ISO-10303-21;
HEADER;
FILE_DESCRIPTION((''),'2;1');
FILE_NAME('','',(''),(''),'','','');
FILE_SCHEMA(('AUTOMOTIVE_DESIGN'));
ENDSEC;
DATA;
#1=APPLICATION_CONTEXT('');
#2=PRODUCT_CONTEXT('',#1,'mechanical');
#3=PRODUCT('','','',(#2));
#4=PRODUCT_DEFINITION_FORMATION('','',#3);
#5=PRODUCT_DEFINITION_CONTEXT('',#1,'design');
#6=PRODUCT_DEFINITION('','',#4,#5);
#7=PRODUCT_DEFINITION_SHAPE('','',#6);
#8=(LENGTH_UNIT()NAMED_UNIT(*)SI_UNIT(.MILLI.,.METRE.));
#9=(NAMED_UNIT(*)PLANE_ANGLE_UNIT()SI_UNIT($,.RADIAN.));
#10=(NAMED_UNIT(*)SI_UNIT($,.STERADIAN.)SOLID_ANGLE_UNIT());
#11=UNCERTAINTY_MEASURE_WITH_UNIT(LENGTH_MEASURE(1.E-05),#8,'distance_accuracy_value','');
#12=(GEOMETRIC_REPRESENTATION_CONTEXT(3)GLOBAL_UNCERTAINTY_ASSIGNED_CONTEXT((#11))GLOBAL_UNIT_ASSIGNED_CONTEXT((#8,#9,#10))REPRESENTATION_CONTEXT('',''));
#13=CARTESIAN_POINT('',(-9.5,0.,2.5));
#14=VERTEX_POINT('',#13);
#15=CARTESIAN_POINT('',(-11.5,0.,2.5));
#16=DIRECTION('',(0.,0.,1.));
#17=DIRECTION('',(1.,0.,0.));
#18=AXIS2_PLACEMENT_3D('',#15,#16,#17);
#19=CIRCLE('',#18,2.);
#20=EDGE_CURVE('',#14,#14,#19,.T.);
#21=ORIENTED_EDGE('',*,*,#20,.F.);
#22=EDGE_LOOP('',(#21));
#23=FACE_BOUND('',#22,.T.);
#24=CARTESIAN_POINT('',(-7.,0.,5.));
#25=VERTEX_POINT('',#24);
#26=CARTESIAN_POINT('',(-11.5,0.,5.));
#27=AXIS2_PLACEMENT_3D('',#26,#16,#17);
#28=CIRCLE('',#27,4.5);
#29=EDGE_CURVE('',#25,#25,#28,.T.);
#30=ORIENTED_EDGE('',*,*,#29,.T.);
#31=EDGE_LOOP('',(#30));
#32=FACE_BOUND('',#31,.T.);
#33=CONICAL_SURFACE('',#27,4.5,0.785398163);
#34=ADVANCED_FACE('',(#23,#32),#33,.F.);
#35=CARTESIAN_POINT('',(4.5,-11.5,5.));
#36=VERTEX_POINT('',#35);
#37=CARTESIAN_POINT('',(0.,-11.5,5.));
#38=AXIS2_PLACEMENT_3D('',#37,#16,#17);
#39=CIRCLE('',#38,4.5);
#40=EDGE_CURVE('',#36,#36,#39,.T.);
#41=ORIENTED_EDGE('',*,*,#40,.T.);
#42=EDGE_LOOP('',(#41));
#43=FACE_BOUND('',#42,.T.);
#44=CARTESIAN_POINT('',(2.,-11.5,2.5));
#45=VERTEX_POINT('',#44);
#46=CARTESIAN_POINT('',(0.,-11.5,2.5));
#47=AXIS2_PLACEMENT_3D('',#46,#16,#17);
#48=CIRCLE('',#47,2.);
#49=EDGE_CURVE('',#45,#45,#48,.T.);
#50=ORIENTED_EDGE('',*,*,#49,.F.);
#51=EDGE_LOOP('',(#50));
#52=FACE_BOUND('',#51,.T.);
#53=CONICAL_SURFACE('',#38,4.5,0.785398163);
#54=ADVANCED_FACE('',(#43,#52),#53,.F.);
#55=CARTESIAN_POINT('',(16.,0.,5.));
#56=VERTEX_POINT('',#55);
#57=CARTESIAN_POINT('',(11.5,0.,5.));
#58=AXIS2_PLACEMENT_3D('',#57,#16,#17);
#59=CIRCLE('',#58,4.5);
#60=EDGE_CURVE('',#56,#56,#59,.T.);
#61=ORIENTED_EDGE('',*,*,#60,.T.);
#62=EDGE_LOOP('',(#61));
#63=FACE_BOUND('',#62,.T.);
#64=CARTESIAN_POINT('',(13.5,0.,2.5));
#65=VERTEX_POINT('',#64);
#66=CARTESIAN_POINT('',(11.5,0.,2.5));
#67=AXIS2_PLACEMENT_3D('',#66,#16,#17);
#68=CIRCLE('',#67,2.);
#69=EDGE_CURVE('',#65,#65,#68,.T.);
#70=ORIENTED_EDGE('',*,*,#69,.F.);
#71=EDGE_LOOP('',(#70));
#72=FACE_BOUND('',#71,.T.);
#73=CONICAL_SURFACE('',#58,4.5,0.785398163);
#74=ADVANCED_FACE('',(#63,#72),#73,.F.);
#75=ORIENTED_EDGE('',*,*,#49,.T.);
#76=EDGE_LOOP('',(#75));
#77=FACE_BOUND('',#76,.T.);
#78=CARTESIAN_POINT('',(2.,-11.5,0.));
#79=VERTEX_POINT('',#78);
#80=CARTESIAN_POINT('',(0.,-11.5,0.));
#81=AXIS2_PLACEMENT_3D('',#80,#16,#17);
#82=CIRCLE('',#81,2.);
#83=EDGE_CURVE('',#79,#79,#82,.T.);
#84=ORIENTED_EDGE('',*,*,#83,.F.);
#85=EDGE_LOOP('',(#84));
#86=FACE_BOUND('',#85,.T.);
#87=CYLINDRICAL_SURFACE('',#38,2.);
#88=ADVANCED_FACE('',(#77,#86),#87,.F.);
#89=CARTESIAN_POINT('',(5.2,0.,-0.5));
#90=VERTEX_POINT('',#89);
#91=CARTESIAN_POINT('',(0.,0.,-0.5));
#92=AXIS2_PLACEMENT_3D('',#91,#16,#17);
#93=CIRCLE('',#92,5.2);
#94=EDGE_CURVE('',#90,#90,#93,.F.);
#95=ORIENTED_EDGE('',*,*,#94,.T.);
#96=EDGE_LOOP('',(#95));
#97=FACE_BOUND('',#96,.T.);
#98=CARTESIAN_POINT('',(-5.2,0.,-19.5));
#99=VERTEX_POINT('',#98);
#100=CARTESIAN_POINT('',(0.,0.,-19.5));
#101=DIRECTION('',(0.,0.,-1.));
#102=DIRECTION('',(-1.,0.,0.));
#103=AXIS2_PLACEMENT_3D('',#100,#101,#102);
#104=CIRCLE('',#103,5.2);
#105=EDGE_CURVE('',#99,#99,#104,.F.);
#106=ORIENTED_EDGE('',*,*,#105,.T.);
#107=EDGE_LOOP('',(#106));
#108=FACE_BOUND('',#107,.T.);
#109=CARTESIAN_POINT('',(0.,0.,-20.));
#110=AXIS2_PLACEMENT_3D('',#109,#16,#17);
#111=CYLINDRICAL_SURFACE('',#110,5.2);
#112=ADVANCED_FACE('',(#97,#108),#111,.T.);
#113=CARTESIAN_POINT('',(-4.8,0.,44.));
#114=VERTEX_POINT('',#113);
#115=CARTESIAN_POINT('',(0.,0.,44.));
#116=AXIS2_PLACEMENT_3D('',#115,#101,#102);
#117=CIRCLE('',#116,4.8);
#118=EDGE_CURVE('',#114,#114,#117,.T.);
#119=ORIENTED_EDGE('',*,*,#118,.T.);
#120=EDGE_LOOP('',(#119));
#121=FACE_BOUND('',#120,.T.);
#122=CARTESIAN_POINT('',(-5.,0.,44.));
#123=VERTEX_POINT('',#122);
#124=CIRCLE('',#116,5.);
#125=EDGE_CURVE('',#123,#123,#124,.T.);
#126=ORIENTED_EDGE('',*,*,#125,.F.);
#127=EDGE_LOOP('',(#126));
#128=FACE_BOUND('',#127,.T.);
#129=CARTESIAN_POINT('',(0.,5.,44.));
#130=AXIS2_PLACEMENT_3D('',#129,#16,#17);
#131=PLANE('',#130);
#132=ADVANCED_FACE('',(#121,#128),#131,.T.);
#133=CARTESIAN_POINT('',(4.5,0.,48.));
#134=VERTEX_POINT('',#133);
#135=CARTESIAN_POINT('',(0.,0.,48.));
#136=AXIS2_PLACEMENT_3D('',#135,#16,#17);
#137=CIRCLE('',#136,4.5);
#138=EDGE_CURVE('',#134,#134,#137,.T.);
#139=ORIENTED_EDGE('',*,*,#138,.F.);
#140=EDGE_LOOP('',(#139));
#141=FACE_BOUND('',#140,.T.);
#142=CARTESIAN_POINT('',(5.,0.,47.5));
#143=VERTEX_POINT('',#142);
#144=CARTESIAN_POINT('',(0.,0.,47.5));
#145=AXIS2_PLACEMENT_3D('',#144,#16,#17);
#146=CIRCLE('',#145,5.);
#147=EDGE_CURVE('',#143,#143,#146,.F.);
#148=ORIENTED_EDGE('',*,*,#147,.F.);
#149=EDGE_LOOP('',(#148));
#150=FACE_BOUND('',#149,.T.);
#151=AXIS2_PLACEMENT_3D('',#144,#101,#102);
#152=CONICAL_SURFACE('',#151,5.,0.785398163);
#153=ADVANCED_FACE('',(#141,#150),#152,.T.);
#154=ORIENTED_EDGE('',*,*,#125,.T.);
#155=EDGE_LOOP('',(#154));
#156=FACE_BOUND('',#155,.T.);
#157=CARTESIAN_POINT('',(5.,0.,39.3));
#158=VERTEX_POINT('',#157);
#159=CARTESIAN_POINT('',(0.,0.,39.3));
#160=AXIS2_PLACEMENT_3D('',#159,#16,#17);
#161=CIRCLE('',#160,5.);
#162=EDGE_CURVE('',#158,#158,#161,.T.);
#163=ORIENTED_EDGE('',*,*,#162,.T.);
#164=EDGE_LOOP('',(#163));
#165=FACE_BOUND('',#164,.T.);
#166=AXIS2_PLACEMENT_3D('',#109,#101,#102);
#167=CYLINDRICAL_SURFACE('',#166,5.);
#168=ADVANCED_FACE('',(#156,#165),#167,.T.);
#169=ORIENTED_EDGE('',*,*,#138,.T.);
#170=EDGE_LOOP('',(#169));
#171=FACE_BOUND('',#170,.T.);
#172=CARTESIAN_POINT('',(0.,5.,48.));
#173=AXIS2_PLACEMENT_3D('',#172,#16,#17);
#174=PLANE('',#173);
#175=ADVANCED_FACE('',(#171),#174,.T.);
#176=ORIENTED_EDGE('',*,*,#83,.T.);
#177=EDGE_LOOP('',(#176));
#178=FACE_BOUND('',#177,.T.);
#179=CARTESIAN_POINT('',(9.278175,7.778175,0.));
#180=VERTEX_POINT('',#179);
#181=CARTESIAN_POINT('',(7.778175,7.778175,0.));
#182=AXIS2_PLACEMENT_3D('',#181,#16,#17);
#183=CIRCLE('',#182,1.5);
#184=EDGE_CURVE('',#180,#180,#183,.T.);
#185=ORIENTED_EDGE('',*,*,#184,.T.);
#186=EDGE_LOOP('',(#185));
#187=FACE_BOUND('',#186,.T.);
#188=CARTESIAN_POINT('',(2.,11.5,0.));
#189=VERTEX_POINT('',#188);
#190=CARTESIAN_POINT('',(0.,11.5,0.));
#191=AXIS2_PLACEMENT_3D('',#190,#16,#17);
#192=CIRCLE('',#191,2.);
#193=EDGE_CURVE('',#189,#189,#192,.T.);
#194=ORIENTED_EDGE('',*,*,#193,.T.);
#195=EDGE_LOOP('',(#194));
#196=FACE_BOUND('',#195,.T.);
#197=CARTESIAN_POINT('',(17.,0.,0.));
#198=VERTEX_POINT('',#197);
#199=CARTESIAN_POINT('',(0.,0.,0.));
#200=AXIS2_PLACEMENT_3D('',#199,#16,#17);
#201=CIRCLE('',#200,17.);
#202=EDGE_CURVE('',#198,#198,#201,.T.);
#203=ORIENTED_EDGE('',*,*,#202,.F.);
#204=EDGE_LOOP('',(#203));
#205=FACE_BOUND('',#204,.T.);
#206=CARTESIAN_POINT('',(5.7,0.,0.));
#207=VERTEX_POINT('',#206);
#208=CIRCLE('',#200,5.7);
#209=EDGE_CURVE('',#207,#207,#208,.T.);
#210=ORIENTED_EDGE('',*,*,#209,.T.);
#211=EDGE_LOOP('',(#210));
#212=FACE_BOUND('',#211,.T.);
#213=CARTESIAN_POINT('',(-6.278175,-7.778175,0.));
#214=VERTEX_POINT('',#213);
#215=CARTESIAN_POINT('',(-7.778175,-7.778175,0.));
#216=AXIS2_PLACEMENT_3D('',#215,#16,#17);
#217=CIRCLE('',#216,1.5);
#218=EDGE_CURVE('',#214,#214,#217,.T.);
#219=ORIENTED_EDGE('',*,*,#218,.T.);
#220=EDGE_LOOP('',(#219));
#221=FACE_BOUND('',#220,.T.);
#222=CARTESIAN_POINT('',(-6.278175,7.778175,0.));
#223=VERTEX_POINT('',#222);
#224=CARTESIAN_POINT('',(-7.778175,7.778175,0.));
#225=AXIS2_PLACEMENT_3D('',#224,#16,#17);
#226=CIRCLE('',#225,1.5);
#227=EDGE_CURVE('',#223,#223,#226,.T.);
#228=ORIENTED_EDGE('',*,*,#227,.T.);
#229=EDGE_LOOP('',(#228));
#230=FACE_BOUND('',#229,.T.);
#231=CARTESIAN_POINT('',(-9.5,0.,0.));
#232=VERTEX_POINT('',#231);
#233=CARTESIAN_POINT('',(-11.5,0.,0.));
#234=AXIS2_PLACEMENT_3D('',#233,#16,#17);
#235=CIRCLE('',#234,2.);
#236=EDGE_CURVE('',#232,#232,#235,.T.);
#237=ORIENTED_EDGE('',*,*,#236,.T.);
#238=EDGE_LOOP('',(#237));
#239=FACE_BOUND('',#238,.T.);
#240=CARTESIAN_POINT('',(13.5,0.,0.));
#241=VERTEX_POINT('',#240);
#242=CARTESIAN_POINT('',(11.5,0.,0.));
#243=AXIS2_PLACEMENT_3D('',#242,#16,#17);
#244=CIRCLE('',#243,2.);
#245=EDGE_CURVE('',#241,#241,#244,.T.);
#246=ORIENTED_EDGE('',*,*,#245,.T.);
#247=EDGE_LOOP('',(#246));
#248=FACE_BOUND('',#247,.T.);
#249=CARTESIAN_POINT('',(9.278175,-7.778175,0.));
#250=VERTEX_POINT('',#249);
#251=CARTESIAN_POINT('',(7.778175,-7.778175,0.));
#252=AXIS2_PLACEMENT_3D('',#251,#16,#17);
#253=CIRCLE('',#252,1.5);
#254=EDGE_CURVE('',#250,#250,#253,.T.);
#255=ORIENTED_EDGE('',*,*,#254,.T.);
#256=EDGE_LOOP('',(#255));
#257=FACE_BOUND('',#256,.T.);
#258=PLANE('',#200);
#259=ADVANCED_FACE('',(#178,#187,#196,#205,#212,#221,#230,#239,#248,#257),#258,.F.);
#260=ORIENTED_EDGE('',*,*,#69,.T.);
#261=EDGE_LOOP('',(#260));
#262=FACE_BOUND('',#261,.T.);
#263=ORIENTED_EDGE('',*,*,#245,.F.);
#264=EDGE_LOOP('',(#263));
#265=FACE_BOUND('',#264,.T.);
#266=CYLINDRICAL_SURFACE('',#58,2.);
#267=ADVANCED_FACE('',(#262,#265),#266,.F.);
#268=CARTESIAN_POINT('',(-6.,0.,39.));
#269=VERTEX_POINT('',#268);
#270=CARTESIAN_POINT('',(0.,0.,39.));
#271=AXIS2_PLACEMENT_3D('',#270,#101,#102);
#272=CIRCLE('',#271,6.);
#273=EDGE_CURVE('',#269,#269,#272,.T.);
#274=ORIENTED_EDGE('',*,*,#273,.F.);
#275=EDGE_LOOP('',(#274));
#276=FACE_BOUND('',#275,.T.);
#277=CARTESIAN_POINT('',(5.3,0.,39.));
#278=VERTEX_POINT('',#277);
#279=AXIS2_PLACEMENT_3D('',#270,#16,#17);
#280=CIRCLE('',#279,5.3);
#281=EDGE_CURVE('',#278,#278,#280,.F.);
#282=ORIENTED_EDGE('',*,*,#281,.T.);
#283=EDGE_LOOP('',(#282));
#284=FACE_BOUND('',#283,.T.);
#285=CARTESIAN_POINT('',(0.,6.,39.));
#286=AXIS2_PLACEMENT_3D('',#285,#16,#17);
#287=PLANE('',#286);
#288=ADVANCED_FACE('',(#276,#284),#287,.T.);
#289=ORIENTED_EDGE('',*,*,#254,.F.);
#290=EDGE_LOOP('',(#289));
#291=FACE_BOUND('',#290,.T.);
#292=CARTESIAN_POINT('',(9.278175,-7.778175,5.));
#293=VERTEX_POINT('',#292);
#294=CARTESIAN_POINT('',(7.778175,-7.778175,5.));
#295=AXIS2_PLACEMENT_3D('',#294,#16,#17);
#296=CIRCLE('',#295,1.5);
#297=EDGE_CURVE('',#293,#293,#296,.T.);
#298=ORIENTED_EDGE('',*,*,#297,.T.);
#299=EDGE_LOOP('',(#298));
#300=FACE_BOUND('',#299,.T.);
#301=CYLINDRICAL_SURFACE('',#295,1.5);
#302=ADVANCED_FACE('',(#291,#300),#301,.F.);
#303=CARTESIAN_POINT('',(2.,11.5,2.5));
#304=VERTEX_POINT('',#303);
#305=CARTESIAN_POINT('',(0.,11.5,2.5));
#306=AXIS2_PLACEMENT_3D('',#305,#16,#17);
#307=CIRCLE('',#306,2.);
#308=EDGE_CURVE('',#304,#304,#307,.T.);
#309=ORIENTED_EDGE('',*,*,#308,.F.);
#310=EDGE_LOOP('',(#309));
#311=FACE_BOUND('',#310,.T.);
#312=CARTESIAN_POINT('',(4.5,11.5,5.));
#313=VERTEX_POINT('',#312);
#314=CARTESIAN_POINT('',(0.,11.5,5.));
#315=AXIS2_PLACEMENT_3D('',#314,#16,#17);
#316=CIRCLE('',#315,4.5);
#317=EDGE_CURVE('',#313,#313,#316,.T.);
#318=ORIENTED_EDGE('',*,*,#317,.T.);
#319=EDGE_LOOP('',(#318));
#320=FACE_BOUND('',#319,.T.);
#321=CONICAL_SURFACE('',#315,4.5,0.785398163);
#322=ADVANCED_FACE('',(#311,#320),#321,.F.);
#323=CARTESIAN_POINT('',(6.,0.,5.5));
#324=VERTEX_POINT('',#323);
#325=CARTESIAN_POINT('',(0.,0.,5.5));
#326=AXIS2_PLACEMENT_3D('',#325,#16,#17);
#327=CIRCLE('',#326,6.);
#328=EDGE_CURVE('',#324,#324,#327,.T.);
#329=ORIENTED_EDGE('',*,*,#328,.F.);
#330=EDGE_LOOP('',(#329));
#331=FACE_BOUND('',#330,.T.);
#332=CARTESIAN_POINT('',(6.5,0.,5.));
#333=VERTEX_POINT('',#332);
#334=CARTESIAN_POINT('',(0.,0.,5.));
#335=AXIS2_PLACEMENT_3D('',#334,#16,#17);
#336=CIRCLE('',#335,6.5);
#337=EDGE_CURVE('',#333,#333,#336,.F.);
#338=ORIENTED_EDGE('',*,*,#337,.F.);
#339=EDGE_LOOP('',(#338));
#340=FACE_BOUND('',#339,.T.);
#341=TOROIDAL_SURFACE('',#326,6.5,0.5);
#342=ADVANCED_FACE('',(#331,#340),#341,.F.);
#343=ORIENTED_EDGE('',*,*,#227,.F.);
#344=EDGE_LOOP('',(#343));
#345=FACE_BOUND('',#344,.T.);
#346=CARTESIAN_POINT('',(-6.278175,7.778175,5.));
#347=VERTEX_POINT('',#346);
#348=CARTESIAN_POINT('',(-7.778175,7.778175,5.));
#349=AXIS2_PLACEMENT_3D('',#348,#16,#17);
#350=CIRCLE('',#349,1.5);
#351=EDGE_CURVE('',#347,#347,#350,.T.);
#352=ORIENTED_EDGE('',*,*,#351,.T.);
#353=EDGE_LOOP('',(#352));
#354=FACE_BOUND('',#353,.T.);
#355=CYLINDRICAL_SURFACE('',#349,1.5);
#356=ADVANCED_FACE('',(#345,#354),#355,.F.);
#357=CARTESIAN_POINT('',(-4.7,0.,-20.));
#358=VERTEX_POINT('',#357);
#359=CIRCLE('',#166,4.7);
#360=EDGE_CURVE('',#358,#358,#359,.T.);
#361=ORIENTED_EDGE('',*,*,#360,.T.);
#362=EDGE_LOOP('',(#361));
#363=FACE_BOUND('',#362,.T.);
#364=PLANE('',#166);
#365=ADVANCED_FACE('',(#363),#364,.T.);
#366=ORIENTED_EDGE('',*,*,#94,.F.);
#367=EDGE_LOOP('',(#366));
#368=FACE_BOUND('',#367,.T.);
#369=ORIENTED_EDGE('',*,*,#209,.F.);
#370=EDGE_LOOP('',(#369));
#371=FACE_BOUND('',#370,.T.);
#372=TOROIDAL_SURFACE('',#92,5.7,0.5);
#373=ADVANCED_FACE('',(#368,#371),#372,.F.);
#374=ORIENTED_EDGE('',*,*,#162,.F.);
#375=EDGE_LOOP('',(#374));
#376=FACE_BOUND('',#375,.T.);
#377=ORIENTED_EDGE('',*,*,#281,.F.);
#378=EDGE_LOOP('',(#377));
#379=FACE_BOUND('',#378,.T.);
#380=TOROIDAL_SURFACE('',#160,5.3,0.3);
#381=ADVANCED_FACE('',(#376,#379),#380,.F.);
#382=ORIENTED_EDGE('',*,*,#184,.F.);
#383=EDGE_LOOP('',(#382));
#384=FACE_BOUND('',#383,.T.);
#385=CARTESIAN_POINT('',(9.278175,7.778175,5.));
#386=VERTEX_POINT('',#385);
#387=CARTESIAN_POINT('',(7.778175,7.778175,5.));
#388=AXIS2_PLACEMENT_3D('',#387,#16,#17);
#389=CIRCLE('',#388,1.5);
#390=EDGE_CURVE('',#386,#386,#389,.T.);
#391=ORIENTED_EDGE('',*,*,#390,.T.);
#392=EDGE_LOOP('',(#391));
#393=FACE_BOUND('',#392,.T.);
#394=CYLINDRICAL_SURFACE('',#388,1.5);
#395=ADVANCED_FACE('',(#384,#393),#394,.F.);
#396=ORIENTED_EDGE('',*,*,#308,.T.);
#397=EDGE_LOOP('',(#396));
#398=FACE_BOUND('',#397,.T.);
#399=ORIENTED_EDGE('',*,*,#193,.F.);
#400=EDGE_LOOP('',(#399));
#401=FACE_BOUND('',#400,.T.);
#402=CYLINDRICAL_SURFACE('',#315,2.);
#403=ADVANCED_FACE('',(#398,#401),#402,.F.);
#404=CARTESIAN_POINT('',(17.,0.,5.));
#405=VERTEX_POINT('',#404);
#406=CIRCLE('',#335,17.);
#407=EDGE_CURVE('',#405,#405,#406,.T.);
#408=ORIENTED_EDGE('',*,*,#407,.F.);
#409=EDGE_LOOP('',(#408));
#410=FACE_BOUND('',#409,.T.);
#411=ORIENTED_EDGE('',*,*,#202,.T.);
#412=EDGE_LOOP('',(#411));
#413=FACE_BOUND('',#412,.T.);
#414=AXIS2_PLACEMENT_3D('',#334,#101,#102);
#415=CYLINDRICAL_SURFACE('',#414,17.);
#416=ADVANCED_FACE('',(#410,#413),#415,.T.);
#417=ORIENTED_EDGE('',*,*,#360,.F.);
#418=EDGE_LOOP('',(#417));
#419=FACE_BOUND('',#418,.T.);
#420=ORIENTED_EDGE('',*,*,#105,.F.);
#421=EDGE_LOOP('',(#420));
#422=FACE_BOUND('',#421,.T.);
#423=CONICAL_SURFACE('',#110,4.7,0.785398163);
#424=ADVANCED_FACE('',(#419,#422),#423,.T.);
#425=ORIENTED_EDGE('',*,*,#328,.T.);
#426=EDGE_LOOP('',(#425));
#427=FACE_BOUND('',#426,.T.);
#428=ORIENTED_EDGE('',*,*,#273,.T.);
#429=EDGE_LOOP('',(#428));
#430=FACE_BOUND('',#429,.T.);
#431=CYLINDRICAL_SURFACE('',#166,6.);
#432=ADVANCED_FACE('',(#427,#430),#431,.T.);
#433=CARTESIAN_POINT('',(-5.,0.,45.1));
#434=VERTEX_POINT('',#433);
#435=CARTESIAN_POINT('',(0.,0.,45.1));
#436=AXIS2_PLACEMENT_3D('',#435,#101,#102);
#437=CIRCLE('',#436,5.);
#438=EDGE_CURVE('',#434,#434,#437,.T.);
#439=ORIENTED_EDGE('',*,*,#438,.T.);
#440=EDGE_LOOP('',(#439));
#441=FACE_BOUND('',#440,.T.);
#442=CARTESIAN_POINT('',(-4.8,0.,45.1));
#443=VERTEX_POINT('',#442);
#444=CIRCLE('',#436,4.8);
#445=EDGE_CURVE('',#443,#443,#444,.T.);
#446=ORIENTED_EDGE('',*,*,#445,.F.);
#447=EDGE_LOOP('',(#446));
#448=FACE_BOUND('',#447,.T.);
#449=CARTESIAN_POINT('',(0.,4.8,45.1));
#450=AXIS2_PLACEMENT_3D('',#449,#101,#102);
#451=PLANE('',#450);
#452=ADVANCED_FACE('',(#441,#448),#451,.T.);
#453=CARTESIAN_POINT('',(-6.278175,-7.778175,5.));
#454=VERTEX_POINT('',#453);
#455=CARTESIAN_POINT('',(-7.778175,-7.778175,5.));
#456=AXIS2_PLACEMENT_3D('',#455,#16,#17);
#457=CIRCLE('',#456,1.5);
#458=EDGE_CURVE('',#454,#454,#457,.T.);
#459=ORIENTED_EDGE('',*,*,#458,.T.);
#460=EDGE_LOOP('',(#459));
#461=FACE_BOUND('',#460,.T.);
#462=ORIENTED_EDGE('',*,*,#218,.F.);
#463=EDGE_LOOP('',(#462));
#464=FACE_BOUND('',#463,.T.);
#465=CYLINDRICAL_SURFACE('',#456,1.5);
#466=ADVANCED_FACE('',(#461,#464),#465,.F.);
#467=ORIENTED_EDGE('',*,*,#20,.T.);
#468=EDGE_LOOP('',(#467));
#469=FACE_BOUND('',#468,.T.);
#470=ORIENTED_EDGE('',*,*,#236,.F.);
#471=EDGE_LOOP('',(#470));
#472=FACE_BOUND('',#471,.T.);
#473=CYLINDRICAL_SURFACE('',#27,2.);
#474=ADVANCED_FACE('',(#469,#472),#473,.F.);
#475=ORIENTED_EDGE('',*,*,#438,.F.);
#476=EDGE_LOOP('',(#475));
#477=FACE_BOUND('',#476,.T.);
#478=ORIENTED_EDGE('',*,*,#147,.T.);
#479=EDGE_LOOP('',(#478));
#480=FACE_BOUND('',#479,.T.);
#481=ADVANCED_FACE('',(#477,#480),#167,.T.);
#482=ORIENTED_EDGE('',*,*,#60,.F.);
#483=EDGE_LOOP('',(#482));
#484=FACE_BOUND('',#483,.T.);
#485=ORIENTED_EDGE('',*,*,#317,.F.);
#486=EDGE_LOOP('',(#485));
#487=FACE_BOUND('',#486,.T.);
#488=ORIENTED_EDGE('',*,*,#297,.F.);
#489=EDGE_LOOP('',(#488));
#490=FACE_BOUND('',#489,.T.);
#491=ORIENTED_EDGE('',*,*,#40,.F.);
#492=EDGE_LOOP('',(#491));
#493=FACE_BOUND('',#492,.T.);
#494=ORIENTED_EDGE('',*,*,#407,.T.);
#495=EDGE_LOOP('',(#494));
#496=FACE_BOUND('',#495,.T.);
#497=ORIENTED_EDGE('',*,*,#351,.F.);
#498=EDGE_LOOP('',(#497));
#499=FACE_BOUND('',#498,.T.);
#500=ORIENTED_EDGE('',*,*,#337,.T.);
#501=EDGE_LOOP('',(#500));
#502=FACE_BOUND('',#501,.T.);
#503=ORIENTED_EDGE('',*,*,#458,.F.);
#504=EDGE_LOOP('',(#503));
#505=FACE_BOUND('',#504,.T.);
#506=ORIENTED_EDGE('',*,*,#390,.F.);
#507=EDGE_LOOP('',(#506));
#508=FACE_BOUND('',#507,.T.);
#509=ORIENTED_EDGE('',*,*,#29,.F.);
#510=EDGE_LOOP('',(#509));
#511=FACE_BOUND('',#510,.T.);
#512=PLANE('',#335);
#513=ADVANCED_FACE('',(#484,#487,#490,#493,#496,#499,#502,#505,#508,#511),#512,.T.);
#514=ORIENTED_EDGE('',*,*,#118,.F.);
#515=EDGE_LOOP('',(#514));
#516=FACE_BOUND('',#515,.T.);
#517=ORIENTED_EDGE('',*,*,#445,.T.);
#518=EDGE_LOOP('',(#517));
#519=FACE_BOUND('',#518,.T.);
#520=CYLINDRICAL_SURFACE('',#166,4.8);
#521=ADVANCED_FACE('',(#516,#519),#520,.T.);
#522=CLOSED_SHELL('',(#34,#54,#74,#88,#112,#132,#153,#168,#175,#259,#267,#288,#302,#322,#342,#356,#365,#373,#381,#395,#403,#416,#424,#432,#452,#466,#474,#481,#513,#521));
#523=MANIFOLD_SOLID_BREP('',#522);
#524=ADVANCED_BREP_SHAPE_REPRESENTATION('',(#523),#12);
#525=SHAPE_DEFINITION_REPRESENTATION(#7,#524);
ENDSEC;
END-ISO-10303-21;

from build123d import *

# Parameters (mm, degrees)
SKETCH1_R                                            = 17
BOSS_EXTRUDE1_DEPTH                                  = 5
SKETCH3_R                                            = 5.2
BOSS_EXTRUDE3_DEPTH                                  = 20
CSK_FOR_M4_HEX_SOCKET_COUNTERSUNK_CAP_SC_D           = 4
CSK_FOR_M4_HEX_SOCKET_COUNTERSUNK_CAP_SC_CSINK_D     = 9
CSK_FOR_M4_HEX_SOCKET_COUNTERSUNK_CAP_SC_CSINK_ANGLE = 90
M4_TAPPED_HOLE1_D                                    = 3
CHAMFER1_SIZE                                        = 0.5
FILLET1_R                                            = 0.3
FILLET2_R                                            = 0.5


with BuildPart() as part:
    # Sketch1 → Boss-Extrude1 (new body)
    with BuildSketch(Plane.XY):
        Circle(SKETCH1_R)
    extrude(amount=BOSS_EXTRUDE1_DEPTH)

    # Sketch3 → Boss-Extrude3 (add)
    with BuildSketch(Plane(origin=(0, 0, 0), x_dir=(-1, 0, 0), z_dir=(0, 0, -1))):
        Circle(SKETCH3_R)
    extrude(amount=BOSS_EXTRUDE3_DEPTH)

    # CSK for M4 Hex Socket Countersunk Cap Screw1 (through all)
    with Locations(Plane.XY.offset(5)):
        with Locations((0, 11.5), (11.5, 0), (0, -11.5), (-11.5, 0)):
            CounterSinkHole(CSK_FOR_M4_HEX_SOCKET_COUNTERSUNK_CAP_SC_D / 2, CSK_FOR_M4_HEX_SOCKET_COUNTERSUNK_CAP_SC_CSINK_D / 2, counter_sink_angle=CSK_FOR_M4_HEX_SOCKET_COUNTERSUNK_CAP_SC_CSINK_ANGLE)

    # M4 Tapped Hole1 (through all)
    with Locations(Plane.XY.offset(5)):
        with Locations((7.778174593, 7.778174593), (-7.778174593, -7.778174593), (-7.778174593, 7.778174593), (7.778174593, -7.778174593)):
            Hole(M4_TAPPED_HOLE1_D / 2)

    # Sketch9 → Revolve1 (revolve)
    with BuildSketch(Plane(origin=(0, 0, 0), x_dir=(0, 0, -1), z_dir=(1, 0, 0))):
        Polygon((-5, 6), (-39, 6), (-39, 5), (-44, 5), (-44, 4.8), (-45.1, 4.8), (-45.1, 5), (-48, 5), (-48, 0), (-5, 0), align=None)
    revolve(axis=Axis((0, 0, -20), (0, 0, 1)))

    # Chamfer1
    chamfer1_edges = [part.edges().sort_by_distance(p)[0] for p in [
        (0, -5, 48),
        (5.2, 0, -20),
    ]]
    chamfer(chamfer1_edges, length=CHAMFER1_SIZE)

    # Fillet1
    fillet1_edges = [part.edges().sort_by_distance(p)[0] for p in [
        (0, -5, 39),
    ]]
    fillet(fillet1_edges, radius=FILLET1_R)

    # Fillet2
    fillet2_edges = [part.edges().sort_by_distance(p)[0] for p in [
        (5.2, 0, 0),
        (0, -6, 5),
    ]]
    fillet(fillet2_edges, radius=FILLET2_R)


solid = part.part
